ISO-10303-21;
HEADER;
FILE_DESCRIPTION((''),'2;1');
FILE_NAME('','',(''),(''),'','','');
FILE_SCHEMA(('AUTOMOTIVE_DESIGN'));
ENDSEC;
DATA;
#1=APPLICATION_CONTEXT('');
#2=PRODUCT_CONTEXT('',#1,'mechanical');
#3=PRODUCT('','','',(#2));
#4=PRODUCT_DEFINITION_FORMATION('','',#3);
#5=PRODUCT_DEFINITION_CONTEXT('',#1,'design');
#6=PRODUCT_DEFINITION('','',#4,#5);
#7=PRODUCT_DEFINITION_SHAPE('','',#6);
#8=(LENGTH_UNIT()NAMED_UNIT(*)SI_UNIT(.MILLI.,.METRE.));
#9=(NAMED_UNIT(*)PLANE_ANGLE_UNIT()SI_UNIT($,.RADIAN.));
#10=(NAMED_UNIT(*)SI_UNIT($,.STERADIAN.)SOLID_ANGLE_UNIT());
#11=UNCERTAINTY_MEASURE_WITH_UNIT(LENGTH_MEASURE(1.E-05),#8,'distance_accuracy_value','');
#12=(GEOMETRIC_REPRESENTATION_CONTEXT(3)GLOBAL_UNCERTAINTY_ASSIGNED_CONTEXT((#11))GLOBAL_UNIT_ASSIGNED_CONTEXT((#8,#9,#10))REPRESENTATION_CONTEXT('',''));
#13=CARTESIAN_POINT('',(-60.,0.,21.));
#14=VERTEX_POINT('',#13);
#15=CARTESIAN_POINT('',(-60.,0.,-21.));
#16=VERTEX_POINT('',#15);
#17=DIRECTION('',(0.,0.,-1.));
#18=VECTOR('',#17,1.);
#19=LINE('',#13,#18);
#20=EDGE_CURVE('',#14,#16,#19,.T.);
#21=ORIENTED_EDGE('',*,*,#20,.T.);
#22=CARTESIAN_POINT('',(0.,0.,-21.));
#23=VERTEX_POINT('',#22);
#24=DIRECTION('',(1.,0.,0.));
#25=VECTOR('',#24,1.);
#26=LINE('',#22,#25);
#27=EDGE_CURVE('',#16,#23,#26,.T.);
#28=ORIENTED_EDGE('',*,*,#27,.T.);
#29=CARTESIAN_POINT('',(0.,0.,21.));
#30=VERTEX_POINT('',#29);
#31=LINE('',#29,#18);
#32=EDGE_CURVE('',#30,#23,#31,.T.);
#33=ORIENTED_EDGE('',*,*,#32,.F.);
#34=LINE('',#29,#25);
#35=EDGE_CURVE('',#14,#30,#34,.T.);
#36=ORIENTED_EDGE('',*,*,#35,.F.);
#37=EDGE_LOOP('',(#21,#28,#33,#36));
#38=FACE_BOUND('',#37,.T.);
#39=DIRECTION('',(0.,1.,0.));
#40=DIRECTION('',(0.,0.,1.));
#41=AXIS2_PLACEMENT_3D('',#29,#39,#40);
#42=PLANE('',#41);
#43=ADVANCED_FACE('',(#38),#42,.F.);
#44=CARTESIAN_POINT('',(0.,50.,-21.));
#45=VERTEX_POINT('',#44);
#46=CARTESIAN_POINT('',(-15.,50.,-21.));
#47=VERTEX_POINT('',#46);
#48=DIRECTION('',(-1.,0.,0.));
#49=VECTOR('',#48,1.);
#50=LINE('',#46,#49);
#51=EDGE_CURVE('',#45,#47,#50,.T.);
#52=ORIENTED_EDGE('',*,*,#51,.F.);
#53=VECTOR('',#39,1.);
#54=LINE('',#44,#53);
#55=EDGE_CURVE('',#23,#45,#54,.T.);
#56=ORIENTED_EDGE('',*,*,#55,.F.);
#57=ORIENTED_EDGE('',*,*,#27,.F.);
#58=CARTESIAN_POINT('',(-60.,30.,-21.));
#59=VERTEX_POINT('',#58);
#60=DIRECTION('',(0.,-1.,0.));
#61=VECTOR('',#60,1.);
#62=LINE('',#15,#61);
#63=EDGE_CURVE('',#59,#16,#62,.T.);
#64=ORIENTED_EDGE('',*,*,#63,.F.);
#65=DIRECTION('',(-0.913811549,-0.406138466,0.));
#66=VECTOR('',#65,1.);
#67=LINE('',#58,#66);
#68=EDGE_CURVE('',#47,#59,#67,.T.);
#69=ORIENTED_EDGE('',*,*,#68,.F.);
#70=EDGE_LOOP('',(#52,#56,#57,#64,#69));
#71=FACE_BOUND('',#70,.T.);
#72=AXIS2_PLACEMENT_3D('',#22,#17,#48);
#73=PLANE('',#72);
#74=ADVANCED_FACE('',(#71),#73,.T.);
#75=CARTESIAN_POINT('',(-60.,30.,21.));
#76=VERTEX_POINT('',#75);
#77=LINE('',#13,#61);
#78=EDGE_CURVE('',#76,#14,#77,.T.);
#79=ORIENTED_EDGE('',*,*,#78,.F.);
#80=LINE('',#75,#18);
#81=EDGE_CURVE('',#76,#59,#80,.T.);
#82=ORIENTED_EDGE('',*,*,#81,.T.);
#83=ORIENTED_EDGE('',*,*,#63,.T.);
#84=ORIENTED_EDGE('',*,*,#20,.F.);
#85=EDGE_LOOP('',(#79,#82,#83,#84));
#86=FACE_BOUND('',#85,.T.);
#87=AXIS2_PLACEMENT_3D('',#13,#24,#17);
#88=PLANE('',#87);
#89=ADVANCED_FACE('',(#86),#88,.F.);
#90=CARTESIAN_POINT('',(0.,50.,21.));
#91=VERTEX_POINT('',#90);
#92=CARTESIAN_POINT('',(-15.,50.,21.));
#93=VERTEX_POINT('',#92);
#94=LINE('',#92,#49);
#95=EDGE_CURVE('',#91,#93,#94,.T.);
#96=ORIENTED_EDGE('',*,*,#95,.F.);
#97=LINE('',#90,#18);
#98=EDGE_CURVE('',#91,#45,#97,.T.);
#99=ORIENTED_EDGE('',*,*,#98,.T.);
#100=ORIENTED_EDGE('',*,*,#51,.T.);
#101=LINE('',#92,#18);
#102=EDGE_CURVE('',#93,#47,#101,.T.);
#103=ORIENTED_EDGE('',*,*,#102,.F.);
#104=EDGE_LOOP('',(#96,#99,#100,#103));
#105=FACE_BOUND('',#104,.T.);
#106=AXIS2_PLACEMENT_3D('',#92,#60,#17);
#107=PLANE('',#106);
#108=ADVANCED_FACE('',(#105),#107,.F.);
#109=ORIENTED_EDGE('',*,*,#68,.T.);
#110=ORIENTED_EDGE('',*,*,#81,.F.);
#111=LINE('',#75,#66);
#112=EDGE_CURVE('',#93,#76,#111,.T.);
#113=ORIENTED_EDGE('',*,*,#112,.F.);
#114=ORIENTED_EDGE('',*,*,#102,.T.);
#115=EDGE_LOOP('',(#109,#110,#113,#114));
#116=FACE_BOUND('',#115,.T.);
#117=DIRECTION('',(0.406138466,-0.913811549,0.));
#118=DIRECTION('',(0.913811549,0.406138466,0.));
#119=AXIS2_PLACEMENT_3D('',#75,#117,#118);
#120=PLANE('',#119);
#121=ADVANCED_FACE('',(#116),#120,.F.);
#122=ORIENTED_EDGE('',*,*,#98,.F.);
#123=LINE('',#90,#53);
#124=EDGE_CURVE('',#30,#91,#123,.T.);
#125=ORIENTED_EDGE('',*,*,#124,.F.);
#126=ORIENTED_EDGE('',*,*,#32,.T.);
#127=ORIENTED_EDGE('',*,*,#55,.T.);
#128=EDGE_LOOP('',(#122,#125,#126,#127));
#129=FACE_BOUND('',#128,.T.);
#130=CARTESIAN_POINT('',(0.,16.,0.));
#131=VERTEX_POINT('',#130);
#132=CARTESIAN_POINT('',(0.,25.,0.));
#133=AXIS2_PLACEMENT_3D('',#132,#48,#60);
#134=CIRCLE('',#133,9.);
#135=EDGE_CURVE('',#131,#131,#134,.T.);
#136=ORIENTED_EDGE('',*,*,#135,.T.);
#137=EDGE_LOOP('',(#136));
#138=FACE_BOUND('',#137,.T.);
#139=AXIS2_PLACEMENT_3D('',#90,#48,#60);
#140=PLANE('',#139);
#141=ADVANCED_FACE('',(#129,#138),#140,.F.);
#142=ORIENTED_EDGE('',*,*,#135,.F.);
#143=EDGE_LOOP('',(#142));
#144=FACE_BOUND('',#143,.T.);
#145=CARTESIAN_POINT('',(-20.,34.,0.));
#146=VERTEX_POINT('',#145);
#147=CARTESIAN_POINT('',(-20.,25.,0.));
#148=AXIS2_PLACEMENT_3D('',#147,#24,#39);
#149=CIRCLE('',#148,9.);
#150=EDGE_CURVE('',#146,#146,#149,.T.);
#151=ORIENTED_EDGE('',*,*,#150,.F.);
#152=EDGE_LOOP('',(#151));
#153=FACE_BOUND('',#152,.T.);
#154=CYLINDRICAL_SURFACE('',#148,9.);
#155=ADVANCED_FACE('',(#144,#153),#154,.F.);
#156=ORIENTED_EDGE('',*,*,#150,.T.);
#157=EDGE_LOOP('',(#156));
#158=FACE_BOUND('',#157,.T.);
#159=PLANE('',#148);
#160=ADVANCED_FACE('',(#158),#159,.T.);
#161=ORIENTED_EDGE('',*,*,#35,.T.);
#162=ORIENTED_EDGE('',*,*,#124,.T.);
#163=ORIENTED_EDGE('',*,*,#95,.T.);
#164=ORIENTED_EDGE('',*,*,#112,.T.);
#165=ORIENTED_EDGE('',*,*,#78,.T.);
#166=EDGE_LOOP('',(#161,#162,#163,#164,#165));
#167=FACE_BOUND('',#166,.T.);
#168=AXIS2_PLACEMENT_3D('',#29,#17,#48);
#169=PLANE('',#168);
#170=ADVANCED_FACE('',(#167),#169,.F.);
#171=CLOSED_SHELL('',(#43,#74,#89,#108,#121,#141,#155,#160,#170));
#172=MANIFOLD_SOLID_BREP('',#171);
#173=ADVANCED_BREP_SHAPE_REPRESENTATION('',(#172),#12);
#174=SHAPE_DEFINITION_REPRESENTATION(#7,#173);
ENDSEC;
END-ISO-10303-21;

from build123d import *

# Parameters (mm, degrees)
BOSS_EXTRUDE1_DEPTH = 21
SKETCH2_R           = 9
CUT_EXTRUDE1_DEPTH  = 20


with BuildPart() as part:
    # Sketch1 → Boss-Extrude1 (new, symmetric)
    with BuildSketch(Plane.XY):
        Polygon((0, 0), (-60, 0), (-60, 30), (-15, 50), (0, 50), align=None)
    extrude(amount=BOSS_EXTRUDE1_DEPTH, both=True)

    # Sketch2 → Cut-Extrude1 (cut, symmetric)
    with BuildSketch(Plane(origin=(0, 0, 0), x_dir=(0, 0, -1), z_dir=(1, 0, 0))):
        with Locations(Location((0, 25, 0), (0, 0, 90))):
            Circle(SKETCH2_R)
    extrude(amount=CUT_EXTRUDE1_DEPTH, both=True, mode=Mode.SUBTRACT)


solid = part.part
